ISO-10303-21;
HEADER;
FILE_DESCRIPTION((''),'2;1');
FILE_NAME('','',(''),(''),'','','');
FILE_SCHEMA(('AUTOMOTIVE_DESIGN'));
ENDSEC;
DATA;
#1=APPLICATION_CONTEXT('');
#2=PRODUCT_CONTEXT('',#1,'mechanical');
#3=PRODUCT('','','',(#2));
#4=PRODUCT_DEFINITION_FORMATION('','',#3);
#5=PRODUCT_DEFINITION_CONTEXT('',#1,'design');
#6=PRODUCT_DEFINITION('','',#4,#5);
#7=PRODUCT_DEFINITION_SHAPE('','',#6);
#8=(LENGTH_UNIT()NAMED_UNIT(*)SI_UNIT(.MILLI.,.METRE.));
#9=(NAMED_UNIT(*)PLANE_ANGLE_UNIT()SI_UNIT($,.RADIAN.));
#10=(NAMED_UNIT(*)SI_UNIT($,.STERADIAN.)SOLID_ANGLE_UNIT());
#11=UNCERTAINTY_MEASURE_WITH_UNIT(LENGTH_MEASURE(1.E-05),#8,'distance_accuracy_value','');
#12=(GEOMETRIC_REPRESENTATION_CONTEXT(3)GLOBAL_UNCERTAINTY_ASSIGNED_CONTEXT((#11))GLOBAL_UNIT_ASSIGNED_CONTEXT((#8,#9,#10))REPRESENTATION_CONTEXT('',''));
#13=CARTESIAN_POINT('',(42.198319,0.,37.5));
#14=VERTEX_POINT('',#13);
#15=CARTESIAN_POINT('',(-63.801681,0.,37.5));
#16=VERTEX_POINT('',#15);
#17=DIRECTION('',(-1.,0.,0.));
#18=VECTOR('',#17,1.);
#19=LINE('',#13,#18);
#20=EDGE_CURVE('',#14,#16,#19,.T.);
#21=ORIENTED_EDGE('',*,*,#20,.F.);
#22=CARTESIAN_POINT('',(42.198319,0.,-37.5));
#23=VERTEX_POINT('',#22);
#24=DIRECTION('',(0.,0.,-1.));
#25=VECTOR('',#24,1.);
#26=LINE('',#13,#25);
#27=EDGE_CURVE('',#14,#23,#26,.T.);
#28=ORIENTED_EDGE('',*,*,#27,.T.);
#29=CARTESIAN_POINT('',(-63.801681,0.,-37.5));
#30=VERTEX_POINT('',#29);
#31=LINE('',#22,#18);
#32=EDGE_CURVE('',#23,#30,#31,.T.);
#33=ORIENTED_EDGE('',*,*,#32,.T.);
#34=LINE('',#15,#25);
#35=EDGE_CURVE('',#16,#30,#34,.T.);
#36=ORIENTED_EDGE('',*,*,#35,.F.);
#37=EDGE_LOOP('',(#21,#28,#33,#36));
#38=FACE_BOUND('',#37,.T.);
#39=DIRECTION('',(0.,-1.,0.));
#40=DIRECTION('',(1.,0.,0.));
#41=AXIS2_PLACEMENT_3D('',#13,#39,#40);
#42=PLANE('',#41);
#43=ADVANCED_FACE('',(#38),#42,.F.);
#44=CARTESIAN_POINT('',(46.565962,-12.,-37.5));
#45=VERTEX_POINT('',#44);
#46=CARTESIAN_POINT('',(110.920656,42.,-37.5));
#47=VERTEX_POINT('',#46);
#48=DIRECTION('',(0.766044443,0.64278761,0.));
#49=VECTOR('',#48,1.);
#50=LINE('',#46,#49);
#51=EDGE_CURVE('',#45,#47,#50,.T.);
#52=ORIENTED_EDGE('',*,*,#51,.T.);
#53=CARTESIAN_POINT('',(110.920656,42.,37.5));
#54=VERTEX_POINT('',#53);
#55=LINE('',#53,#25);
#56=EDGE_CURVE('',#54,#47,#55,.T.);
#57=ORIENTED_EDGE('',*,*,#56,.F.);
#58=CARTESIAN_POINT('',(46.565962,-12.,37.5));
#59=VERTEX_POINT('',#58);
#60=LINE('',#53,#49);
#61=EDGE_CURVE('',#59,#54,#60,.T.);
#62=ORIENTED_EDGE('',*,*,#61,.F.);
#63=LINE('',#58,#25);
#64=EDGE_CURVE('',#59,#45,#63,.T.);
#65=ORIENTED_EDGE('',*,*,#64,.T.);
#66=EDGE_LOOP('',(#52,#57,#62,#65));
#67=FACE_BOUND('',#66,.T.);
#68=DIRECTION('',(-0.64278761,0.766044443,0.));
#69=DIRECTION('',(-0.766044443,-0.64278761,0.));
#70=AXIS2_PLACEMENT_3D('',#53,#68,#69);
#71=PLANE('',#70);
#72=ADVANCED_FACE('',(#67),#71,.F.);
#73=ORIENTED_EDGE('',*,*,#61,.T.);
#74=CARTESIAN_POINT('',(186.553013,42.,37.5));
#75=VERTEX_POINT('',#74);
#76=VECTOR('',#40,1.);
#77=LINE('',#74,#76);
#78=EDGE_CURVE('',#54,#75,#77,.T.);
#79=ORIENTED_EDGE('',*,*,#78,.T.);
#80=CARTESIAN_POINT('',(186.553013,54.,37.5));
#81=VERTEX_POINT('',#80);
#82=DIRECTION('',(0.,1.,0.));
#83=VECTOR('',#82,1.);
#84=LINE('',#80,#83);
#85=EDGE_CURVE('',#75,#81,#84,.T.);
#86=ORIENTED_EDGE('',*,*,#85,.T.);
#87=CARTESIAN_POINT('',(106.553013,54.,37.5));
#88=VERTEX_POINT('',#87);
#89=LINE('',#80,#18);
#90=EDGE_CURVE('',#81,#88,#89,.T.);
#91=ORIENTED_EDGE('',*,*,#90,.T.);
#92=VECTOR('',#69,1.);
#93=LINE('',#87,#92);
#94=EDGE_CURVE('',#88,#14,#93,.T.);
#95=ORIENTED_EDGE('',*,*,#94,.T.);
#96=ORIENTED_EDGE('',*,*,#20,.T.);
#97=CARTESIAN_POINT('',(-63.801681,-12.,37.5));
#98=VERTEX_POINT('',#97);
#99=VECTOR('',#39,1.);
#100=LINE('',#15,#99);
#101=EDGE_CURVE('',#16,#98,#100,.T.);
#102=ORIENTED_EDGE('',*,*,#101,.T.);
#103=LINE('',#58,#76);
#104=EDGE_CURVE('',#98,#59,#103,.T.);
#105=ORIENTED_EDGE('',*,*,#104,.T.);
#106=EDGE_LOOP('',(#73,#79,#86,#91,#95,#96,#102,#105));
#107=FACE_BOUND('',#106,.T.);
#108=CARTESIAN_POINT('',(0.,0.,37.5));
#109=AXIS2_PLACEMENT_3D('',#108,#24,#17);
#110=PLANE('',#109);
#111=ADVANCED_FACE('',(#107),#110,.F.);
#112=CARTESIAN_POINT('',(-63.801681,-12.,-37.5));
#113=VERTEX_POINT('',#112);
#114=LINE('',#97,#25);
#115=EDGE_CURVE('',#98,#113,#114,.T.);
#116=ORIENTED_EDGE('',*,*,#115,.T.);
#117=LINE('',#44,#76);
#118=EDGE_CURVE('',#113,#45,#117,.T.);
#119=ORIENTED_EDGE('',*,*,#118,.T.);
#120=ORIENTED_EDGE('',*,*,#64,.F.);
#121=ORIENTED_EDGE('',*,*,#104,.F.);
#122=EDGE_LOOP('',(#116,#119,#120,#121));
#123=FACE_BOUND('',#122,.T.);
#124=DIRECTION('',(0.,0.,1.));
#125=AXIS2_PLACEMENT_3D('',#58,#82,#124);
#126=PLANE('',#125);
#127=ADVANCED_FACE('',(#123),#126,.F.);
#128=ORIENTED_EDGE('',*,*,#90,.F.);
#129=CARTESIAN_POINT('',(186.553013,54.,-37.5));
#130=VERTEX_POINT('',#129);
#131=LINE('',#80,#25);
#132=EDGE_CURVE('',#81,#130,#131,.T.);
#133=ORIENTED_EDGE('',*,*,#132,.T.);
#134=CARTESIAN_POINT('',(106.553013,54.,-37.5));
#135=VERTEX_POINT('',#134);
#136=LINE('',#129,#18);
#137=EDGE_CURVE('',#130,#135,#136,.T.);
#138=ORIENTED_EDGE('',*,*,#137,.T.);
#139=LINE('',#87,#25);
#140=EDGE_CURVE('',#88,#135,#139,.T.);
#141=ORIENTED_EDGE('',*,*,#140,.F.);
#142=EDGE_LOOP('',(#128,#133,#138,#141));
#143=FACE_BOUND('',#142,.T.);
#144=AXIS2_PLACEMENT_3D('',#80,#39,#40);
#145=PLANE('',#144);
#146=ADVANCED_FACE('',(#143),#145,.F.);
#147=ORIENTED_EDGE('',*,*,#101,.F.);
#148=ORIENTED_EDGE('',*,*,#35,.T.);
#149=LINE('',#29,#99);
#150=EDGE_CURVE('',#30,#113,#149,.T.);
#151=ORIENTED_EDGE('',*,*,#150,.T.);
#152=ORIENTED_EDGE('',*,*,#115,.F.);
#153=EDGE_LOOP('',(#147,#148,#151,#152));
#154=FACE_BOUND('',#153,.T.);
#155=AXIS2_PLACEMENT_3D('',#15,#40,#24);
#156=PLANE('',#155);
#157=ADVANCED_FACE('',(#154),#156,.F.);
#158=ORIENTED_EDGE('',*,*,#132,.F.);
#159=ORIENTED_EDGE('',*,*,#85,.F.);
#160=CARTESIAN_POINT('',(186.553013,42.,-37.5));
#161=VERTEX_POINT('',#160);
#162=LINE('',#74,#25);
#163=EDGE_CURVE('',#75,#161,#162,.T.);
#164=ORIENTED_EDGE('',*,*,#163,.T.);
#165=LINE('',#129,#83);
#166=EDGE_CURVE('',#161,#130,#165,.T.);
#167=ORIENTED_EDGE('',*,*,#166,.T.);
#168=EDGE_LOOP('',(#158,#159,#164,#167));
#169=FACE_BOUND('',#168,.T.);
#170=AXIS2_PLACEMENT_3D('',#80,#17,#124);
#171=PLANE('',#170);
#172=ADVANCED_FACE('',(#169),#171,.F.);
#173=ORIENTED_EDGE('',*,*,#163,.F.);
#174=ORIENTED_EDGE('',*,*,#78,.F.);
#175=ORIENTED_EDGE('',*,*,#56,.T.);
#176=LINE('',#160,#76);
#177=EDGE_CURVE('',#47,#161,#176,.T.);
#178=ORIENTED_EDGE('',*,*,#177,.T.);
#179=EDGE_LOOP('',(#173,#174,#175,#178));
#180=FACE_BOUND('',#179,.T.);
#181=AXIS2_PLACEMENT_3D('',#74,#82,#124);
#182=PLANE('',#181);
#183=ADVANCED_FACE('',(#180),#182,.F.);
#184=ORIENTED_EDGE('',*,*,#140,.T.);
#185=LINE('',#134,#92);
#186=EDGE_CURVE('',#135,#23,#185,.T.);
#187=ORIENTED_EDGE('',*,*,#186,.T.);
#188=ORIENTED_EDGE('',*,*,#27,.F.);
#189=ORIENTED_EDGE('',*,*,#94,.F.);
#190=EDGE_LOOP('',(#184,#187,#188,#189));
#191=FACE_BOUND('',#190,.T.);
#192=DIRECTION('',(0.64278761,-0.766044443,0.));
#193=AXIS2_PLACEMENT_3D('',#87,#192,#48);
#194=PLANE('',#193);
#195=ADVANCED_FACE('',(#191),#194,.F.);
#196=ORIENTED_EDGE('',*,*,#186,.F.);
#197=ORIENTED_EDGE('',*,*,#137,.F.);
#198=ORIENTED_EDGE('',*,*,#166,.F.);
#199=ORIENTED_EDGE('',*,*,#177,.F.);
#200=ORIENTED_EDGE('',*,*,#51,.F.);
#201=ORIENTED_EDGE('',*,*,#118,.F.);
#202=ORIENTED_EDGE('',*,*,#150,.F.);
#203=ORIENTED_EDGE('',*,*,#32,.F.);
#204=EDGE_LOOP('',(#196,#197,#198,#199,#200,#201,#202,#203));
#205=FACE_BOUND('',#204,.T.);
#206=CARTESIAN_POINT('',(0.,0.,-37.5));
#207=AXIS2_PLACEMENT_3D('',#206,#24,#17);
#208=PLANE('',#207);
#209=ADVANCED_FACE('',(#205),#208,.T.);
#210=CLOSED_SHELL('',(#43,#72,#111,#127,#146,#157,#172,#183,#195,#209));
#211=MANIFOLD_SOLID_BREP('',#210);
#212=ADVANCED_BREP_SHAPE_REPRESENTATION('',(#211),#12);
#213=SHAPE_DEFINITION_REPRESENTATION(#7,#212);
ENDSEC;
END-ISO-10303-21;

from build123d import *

# Parameters (mm, degrees)
SALIENTE_EXTRUIR1_DEPTH = 37.5


with BuildPart() as part:
    # Croquis1 → Saliente-Extruir1 (new, symmetric)
    with BuildSketch(Plane.XY):
        Polygon((186.553012944, 54), (106.553012944, 54), (42.198318944, 0), (-63.801681056, 0), (-63.801681056, -12), (46.565961755, -12), (110.920655755, 42), (186.553012944, 42), align=None)
    extrude(amount=SALIENTE_EXTRUIR1_DEPTH, both=True)


solid = part.part
